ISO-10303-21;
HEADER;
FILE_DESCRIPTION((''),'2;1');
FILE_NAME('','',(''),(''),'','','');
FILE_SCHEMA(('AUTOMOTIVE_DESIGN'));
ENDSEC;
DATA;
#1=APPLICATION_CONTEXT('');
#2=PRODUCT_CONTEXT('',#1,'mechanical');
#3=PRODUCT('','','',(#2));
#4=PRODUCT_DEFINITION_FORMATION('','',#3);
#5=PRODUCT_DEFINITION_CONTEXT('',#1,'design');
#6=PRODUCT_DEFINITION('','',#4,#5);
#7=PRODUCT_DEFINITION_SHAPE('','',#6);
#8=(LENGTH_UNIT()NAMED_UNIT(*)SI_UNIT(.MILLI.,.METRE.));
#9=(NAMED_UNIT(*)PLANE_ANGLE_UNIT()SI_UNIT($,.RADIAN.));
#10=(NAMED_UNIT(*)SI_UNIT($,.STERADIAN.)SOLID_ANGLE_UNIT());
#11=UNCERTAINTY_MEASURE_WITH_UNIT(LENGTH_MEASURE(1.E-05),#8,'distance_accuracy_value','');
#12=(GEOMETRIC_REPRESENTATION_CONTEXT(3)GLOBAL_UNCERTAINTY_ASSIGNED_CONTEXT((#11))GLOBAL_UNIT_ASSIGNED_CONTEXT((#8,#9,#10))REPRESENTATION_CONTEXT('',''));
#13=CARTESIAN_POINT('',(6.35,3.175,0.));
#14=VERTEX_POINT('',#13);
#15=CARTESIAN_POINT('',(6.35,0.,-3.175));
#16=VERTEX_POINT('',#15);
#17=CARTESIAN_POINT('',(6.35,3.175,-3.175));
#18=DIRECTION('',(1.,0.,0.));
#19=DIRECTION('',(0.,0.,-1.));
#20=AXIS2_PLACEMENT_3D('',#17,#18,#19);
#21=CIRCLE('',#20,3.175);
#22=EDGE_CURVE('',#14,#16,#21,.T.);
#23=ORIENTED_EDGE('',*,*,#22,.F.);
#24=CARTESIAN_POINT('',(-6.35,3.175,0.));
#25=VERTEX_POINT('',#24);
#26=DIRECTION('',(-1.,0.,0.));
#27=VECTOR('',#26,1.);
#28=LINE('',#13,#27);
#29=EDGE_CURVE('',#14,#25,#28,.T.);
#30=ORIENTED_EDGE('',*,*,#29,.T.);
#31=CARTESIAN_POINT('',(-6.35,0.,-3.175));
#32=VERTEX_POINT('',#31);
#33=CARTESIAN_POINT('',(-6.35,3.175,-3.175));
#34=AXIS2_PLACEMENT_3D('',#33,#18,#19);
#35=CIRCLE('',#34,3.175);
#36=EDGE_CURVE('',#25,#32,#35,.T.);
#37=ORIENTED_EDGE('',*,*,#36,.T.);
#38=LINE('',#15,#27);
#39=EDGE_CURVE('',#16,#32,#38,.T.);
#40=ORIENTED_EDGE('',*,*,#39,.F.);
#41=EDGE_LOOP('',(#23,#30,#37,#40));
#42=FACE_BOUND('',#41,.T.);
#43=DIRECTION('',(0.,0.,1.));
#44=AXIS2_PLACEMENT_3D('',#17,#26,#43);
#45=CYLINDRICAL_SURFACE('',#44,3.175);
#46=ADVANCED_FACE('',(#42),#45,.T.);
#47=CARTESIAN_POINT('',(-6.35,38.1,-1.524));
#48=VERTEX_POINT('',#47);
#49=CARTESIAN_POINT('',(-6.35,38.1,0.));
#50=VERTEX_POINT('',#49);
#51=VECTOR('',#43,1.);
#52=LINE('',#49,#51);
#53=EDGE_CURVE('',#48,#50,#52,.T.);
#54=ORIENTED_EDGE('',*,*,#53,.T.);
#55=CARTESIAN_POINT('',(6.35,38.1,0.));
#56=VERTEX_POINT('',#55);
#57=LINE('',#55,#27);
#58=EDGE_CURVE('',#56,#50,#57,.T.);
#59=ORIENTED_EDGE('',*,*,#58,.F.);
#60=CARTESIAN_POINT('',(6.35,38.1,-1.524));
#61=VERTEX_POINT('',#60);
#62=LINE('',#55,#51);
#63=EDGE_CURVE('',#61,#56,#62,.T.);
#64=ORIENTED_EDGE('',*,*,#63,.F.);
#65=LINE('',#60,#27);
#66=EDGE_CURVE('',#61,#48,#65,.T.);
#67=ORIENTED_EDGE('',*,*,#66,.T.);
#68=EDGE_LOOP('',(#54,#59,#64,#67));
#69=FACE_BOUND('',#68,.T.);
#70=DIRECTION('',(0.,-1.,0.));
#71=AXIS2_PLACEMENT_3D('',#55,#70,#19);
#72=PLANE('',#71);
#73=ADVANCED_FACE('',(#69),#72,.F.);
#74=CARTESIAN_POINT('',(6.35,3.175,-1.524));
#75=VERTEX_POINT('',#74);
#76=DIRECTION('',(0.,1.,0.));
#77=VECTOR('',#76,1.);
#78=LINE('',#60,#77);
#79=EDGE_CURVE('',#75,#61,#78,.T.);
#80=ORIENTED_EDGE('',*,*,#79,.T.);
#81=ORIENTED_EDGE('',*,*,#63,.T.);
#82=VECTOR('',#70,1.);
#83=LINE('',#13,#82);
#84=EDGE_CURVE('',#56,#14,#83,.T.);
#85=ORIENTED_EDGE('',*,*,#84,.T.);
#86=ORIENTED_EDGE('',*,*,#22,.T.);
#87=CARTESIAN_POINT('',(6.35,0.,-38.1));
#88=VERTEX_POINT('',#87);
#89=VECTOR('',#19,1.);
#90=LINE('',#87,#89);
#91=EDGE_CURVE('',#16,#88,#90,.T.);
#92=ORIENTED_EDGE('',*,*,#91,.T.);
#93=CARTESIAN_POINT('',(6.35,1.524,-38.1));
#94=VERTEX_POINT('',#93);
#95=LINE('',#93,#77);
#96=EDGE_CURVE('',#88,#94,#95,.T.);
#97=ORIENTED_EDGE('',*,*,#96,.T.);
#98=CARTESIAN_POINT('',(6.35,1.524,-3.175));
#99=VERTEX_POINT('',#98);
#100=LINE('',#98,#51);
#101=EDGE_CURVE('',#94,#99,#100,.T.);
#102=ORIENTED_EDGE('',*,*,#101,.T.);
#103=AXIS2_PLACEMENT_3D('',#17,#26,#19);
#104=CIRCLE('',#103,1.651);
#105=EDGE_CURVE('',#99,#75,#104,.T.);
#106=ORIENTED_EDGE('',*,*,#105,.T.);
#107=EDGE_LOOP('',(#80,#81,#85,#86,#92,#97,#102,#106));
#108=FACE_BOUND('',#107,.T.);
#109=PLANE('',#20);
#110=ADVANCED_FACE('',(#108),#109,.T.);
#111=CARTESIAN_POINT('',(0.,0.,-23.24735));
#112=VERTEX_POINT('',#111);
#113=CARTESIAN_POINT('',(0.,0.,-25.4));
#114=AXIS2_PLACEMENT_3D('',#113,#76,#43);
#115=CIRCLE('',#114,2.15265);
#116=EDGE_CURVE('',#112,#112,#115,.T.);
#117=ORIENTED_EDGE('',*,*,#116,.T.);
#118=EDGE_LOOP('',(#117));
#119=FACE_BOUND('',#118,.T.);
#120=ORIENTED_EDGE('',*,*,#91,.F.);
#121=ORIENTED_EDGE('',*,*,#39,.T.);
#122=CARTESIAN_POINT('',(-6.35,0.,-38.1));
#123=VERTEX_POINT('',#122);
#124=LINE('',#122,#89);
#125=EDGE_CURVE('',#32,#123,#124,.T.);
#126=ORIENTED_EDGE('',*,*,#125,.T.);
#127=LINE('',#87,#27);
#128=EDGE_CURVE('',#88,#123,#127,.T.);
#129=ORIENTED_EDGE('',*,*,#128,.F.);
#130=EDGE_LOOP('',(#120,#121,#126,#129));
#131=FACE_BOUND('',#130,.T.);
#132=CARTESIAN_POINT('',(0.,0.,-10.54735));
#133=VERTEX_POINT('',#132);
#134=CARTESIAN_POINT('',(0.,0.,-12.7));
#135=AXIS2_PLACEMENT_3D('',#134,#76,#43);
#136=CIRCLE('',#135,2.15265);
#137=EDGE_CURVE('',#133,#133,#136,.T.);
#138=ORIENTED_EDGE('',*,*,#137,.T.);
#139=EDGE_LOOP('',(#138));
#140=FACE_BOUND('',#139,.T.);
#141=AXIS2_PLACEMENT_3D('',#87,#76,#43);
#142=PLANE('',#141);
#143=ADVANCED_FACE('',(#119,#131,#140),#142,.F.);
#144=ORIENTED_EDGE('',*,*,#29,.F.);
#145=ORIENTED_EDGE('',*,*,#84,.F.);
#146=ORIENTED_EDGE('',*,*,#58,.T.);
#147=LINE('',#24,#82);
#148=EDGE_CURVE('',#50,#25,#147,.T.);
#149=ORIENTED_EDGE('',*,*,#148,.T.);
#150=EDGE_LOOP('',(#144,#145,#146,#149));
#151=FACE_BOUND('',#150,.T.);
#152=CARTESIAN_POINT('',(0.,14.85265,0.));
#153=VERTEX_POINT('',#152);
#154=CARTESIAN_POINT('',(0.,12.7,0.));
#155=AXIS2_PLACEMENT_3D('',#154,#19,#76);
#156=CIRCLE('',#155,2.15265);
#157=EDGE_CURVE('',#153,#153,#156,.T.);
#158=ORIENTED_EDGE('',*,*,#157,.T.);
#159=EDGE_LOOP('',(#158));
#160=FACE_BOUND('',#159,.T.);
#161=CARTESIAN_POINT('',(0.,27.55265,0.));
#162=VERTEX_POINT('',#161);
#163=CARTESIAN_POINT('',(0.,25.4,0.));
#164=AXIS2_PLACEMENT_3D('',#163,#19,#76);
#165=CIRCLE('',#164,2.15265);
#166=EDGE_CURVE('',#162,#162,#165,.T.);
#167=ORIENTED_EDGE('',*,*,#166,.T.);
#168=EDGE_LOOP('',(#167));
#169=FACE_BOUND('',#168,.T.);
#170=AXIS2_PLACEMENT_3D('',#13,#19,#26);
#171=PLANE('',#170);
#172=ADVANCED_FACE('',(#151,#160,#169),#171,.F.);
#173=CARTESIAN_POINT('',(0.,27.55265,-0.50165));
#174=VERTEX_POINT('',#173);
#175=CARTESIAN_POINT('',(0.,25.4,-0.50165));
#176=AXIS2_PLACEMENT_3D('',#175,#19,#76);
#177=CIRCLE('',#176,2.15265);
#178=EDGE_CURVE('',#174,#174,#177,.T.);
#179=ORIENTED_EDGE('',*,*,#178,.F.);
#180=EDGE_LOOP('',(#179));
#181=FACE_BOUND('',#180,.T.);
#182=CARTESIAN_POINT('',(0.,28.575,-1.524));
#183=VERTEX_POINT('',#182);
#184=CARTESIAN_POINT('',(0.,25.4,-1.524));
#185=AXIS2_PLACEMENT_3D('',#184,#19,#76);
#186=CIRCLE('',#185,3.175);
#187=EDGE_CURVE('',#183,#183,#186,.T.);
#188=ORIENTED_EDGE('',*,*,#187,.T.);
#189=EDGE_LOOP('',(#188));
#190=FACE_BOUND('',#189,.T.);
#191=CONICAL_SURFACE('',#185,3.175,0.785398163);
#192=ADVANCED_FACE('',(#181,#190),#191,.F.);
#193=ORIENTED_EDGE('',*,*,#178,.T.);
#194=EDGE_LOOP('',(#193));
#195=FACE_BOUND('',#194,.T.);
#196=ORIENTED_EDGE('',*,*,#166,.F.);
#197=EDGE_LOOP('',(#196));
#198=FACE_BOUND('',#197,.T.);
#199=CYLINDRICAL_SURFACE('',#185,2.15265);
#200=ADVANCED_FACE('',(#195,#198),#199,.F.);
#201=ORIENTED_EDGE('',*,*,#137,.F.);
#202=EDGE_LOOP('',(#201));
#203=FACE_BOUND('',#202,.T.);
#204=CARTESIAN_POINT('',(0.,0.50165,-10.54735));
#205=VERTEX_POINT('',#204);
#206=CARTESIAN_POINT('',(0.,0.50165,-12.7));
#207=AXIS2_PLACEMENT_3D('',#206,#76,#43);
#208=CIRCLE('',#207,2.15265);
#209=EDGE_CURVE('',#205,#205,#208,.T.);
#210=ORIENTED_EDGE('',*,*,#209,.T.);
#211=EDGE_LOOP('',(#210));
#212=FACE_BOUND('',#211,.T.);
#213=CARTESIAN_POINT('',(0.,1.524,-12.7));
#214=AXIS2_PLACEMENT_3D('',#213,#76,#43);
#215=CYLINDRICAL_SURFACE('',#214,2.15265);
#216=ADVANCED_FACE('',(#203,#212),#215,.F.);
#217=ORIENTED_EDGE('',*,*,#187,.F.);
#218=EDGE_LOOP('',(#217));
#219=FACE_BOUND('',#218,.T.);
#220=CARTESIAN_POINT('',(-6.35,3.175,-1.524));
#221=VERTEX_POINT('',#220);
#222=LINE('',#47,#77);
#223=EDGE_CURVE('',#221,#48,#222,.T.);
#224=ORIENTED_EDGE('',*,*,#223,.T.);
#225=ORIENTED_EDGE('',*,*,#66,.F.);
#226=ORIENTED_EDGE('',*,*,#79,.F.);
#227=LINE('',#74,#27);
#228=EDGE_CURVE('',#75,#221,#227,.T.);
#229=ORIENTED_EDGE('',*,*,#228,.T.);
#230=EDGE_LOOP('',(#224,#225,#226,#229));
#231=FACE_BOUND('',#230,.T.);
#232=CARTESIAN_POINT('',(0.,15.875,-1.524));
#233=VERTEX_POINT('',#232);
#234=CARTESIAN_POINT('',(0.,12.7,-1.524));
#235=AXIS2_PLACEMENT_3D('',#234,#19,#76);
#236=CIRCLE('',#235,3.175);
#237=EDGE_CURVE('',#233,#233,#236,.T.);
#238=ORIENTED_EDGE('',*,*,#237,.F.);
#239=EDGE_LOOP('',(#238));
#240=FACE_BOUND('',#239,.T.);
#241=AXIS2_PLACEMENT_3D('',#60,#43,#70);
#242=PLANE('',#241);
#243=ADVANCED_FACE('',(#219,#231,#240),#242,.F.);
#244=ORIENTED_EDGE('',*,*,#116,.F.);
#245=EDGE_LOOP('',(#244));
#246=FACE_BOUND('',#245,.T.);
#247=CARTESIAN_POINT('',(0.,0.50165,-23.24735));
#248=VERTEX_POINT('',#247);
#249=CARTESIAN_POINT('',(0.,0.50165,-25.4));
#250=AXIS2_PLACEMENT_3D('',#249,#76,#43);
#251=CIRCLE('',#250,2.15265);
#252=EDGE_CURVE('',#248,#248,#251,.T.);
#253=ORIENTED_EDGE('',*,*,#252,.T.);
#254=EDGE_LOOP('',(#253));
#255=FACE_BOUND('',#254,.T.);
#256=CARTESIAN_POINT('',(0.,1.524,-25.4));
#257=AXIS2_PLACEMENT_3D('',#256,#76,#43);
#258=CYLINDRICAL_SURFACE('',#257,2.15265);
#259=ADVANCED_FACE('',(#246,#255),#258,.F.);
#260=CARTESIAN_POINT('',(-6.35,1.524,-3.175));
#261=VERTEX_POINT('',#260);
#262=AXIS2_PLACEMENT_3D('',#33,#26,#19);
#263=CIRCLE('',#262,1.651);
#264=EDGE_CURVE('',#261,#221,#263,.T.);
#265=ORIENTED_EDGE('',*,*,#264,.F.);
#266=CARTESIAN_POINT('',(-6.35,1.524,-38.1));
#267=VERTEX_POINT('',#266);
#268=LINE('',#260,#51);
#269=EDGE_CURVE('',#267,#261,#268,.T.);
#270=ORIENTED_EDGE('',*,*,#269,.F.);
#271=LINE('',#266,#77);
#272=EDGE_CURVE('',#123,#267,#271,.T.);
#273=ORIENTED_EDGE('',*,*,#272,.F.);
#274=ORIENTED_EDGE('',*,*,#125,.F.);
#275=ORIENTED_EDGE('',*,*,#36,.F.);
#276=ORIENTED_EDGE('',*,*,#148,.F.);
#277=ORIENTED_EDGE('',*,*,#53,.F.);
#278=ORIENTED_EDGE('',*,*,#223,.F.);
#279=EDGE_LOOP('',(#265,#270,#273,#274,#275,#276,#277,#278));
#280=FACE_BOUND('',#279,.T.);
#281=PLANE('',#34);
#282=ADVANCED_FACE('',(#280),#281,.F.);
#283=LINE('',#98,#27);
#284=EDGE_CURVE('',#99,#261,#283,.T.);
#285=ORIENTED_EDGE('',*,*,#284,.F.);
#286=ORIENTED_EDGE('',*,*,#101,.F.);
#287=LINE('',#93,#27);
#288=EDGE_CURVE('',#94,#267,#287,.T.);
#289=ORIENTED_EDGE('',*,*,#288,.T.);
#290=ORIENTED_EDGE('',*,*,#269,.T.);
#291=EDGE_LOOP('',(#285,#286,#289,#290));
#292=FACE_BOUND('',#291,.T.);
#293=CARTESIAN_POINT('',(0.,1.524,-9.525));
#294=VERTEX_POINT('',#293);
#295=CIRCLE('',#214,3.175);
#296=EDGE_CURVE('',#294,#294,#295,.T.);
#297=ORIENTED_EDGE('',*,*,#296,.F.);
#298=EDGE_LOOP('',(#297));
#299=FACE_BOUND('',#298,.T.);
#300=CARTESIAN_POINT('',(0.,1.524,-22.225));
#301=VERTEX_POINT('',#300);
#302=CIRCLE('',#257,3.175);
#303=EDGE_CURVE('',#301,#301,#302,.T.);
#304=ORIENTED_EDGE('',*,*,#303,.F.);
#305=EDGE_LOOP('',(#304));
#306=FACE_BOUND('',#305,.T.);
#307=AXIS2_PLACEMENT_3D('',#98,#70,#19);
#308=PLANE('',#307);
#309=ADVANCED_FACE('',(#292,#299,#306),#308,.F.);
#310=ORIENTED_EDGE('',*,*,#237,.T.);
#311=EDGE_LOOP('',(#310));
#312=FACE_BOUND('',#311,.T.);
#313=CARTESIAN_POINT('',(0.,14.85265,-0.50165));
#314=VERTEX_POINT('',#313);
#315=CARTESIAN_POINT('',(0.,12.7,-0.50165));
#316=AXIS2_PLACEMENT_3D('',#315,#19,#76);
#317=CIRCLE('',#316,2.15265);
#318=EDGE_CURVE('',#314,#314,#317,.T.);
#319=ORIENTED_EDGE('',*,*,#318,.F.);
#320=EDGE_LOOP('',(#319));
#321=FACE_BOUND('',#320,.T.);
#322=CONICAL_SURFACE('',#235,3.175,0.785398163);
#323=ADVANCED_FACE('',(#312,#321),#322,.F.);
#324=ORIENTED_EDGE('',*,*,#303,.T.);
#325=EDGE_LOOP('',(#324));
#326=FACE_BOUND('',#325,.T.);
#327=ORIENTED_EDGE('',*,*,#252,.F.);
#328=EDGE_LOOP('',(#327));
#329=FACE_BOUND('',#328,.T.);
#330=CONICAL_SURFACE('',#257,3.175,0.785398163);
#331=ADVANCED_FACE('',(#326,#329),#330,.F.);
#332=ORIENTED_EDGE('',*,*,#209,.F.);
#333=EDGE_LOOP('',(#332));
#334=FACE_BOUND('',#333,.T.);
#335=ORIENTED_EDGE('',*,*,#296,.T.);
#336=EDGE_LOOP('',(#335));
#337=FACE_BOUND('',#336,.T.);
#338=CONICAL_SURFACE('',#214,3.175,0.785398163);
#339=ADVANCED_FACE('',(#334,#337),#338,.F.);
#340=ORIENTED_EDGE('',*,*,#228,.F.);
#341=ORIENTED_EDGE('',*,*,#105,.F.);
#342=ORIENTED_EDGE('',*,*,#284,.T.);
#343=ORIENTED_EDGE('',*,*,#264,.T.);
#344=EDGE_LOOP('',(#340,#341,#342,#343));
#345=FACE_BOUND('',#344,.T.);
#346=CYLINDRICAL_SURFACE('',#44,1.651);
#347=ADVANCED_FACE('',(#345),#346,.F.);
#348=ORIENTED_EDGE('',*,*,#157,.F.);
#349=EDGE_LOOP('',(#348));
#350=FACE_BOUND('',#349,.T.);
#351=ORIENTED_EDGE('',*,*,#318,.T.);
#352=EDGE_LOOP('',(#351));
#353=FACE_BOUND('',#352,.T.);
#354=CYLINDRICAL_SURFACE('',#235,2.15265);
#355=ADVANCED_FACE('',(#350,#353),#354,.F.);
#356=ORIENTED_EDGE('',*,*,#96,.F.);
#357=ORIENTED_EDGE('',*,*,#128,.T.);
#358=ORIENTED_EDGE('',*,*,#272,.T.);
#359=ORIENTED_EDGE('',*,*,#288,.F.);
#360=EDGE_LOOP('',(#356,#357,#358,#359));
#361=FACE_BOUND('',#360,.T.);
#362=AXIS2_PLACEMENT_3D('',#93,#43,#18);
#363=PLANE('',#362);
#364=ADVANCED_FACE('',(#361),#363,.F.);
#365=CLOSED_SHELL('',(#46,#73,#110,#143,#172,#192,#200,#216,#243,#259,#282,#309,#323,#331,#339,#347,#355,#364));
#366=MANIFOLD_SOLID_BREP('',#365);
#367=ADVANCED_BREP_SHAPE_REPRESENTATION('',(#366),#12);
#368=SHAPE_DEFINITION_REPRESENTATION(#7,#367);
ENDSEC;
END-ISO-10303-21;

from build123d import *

# Parameters (mm, degrees)
BOSS_EXTRUDE1_DEPTH            = 6.35
F_6_CLEARANCE_HOLE1_AT_2_COUNT = 2
F_6_CLEARANCE_HOLE1_AT_2_PITCH = 12.7
F_6_CLEARANCE_HOLE2_AT_2_COUNT = 2
F_6_CLEARANCE_HOLE2_AT_2_PITCH = 12.7


with BuildPart() as part:
    # Sketch1 → Boss-Extrude1 (new, symmetric)
    with BuildSketch(Plane(origin=(0, 0, 0), x_dir=(0, 0, -1), z_dir=(1, 0, 0))):
        with BuildLine():
            Line((0, 3.175), (0, 38.1))
            Line((0, 38.1), (1.524, 38.1))
            Line((1.524, 38.1), (1.524, 3.175))
            ThreePointArc((1.524, 3.175), (2.007566704, 2.007566704), (3.175, 1.524))
            Line((3.175, 1.524), (38.1, 1.524))
            Line((38.1, 1.524), (38.1, 0))
            Line((38.1, 0), (3.175, 0))
            ThreePointArc((3.175, 0), (0.92993597, 0.92993597), (0, 3.175))
        make_face()
    extrude(amount=BOSS_EXTRUDE1_DEPTH, both=True)

    # Sketch3 → #6 Clearance Hole1 (revolve, cut)
    with BuildSketch(Plane(origin=(0, 1.524, -25.4), x_dir=(0, 0, 1), z_dir=(1, 0, 0))):
        Polygon((0, 0), (0, 1.524), (2.15265, 1.524), (2.15265, 1.02235), (3.175, 0), align=None)
    f_6_clearance_hole1 = revolve(axis=Axis((0, 7.874, -25.4), (0, -1, 0)), mode=Mode.SUBTRACT)

    # #6 Clearance Hole1 at 2: #6 Clearance Hole1 ×2
    with Locations(*[(0, 0, i * F_6_CLEARANCE_HOLE1_AT_2_PITCH) for i in range(1, F_6_CLEARANCE_HOLE1_AT_2_COUNT)]):
        add(f_6_clearance_hole1, mode=Mode.SUBTRACT)

    # Sketch6 → #6 Clearance Hole2 (revolve, cut)
    with BuildSketch(Plane(origin=(0, 12.7, -1.524), x_dir=(0, 1, 0), z_dir=(1, 0, 0))):
        Polygon((0, 0), (0, 1.524), (2.15265, 1.524), (2.15265, 1.02235), (3.175, 0), align=None)
    f_6_clearance_hole2 = revolve(axis=Axis((0, 12.7, -7.874), (0, 0, 1)), mode=Mode.SUBTRACT)

    # #6 Clearance Hole2 at 2: #6 Clearance Hole2 ×2
    with Locations(*[(0, i * F_6_CLEARANCE_HOLE2_AT_2_PITCH, 0) for i in range(1, F_6_CLEARANCE_HOLE2_AT_2_COUNT)]):
        add(f_6_clearance_hole2, mode=Mode.SUBTRACT)


solid = part.part
